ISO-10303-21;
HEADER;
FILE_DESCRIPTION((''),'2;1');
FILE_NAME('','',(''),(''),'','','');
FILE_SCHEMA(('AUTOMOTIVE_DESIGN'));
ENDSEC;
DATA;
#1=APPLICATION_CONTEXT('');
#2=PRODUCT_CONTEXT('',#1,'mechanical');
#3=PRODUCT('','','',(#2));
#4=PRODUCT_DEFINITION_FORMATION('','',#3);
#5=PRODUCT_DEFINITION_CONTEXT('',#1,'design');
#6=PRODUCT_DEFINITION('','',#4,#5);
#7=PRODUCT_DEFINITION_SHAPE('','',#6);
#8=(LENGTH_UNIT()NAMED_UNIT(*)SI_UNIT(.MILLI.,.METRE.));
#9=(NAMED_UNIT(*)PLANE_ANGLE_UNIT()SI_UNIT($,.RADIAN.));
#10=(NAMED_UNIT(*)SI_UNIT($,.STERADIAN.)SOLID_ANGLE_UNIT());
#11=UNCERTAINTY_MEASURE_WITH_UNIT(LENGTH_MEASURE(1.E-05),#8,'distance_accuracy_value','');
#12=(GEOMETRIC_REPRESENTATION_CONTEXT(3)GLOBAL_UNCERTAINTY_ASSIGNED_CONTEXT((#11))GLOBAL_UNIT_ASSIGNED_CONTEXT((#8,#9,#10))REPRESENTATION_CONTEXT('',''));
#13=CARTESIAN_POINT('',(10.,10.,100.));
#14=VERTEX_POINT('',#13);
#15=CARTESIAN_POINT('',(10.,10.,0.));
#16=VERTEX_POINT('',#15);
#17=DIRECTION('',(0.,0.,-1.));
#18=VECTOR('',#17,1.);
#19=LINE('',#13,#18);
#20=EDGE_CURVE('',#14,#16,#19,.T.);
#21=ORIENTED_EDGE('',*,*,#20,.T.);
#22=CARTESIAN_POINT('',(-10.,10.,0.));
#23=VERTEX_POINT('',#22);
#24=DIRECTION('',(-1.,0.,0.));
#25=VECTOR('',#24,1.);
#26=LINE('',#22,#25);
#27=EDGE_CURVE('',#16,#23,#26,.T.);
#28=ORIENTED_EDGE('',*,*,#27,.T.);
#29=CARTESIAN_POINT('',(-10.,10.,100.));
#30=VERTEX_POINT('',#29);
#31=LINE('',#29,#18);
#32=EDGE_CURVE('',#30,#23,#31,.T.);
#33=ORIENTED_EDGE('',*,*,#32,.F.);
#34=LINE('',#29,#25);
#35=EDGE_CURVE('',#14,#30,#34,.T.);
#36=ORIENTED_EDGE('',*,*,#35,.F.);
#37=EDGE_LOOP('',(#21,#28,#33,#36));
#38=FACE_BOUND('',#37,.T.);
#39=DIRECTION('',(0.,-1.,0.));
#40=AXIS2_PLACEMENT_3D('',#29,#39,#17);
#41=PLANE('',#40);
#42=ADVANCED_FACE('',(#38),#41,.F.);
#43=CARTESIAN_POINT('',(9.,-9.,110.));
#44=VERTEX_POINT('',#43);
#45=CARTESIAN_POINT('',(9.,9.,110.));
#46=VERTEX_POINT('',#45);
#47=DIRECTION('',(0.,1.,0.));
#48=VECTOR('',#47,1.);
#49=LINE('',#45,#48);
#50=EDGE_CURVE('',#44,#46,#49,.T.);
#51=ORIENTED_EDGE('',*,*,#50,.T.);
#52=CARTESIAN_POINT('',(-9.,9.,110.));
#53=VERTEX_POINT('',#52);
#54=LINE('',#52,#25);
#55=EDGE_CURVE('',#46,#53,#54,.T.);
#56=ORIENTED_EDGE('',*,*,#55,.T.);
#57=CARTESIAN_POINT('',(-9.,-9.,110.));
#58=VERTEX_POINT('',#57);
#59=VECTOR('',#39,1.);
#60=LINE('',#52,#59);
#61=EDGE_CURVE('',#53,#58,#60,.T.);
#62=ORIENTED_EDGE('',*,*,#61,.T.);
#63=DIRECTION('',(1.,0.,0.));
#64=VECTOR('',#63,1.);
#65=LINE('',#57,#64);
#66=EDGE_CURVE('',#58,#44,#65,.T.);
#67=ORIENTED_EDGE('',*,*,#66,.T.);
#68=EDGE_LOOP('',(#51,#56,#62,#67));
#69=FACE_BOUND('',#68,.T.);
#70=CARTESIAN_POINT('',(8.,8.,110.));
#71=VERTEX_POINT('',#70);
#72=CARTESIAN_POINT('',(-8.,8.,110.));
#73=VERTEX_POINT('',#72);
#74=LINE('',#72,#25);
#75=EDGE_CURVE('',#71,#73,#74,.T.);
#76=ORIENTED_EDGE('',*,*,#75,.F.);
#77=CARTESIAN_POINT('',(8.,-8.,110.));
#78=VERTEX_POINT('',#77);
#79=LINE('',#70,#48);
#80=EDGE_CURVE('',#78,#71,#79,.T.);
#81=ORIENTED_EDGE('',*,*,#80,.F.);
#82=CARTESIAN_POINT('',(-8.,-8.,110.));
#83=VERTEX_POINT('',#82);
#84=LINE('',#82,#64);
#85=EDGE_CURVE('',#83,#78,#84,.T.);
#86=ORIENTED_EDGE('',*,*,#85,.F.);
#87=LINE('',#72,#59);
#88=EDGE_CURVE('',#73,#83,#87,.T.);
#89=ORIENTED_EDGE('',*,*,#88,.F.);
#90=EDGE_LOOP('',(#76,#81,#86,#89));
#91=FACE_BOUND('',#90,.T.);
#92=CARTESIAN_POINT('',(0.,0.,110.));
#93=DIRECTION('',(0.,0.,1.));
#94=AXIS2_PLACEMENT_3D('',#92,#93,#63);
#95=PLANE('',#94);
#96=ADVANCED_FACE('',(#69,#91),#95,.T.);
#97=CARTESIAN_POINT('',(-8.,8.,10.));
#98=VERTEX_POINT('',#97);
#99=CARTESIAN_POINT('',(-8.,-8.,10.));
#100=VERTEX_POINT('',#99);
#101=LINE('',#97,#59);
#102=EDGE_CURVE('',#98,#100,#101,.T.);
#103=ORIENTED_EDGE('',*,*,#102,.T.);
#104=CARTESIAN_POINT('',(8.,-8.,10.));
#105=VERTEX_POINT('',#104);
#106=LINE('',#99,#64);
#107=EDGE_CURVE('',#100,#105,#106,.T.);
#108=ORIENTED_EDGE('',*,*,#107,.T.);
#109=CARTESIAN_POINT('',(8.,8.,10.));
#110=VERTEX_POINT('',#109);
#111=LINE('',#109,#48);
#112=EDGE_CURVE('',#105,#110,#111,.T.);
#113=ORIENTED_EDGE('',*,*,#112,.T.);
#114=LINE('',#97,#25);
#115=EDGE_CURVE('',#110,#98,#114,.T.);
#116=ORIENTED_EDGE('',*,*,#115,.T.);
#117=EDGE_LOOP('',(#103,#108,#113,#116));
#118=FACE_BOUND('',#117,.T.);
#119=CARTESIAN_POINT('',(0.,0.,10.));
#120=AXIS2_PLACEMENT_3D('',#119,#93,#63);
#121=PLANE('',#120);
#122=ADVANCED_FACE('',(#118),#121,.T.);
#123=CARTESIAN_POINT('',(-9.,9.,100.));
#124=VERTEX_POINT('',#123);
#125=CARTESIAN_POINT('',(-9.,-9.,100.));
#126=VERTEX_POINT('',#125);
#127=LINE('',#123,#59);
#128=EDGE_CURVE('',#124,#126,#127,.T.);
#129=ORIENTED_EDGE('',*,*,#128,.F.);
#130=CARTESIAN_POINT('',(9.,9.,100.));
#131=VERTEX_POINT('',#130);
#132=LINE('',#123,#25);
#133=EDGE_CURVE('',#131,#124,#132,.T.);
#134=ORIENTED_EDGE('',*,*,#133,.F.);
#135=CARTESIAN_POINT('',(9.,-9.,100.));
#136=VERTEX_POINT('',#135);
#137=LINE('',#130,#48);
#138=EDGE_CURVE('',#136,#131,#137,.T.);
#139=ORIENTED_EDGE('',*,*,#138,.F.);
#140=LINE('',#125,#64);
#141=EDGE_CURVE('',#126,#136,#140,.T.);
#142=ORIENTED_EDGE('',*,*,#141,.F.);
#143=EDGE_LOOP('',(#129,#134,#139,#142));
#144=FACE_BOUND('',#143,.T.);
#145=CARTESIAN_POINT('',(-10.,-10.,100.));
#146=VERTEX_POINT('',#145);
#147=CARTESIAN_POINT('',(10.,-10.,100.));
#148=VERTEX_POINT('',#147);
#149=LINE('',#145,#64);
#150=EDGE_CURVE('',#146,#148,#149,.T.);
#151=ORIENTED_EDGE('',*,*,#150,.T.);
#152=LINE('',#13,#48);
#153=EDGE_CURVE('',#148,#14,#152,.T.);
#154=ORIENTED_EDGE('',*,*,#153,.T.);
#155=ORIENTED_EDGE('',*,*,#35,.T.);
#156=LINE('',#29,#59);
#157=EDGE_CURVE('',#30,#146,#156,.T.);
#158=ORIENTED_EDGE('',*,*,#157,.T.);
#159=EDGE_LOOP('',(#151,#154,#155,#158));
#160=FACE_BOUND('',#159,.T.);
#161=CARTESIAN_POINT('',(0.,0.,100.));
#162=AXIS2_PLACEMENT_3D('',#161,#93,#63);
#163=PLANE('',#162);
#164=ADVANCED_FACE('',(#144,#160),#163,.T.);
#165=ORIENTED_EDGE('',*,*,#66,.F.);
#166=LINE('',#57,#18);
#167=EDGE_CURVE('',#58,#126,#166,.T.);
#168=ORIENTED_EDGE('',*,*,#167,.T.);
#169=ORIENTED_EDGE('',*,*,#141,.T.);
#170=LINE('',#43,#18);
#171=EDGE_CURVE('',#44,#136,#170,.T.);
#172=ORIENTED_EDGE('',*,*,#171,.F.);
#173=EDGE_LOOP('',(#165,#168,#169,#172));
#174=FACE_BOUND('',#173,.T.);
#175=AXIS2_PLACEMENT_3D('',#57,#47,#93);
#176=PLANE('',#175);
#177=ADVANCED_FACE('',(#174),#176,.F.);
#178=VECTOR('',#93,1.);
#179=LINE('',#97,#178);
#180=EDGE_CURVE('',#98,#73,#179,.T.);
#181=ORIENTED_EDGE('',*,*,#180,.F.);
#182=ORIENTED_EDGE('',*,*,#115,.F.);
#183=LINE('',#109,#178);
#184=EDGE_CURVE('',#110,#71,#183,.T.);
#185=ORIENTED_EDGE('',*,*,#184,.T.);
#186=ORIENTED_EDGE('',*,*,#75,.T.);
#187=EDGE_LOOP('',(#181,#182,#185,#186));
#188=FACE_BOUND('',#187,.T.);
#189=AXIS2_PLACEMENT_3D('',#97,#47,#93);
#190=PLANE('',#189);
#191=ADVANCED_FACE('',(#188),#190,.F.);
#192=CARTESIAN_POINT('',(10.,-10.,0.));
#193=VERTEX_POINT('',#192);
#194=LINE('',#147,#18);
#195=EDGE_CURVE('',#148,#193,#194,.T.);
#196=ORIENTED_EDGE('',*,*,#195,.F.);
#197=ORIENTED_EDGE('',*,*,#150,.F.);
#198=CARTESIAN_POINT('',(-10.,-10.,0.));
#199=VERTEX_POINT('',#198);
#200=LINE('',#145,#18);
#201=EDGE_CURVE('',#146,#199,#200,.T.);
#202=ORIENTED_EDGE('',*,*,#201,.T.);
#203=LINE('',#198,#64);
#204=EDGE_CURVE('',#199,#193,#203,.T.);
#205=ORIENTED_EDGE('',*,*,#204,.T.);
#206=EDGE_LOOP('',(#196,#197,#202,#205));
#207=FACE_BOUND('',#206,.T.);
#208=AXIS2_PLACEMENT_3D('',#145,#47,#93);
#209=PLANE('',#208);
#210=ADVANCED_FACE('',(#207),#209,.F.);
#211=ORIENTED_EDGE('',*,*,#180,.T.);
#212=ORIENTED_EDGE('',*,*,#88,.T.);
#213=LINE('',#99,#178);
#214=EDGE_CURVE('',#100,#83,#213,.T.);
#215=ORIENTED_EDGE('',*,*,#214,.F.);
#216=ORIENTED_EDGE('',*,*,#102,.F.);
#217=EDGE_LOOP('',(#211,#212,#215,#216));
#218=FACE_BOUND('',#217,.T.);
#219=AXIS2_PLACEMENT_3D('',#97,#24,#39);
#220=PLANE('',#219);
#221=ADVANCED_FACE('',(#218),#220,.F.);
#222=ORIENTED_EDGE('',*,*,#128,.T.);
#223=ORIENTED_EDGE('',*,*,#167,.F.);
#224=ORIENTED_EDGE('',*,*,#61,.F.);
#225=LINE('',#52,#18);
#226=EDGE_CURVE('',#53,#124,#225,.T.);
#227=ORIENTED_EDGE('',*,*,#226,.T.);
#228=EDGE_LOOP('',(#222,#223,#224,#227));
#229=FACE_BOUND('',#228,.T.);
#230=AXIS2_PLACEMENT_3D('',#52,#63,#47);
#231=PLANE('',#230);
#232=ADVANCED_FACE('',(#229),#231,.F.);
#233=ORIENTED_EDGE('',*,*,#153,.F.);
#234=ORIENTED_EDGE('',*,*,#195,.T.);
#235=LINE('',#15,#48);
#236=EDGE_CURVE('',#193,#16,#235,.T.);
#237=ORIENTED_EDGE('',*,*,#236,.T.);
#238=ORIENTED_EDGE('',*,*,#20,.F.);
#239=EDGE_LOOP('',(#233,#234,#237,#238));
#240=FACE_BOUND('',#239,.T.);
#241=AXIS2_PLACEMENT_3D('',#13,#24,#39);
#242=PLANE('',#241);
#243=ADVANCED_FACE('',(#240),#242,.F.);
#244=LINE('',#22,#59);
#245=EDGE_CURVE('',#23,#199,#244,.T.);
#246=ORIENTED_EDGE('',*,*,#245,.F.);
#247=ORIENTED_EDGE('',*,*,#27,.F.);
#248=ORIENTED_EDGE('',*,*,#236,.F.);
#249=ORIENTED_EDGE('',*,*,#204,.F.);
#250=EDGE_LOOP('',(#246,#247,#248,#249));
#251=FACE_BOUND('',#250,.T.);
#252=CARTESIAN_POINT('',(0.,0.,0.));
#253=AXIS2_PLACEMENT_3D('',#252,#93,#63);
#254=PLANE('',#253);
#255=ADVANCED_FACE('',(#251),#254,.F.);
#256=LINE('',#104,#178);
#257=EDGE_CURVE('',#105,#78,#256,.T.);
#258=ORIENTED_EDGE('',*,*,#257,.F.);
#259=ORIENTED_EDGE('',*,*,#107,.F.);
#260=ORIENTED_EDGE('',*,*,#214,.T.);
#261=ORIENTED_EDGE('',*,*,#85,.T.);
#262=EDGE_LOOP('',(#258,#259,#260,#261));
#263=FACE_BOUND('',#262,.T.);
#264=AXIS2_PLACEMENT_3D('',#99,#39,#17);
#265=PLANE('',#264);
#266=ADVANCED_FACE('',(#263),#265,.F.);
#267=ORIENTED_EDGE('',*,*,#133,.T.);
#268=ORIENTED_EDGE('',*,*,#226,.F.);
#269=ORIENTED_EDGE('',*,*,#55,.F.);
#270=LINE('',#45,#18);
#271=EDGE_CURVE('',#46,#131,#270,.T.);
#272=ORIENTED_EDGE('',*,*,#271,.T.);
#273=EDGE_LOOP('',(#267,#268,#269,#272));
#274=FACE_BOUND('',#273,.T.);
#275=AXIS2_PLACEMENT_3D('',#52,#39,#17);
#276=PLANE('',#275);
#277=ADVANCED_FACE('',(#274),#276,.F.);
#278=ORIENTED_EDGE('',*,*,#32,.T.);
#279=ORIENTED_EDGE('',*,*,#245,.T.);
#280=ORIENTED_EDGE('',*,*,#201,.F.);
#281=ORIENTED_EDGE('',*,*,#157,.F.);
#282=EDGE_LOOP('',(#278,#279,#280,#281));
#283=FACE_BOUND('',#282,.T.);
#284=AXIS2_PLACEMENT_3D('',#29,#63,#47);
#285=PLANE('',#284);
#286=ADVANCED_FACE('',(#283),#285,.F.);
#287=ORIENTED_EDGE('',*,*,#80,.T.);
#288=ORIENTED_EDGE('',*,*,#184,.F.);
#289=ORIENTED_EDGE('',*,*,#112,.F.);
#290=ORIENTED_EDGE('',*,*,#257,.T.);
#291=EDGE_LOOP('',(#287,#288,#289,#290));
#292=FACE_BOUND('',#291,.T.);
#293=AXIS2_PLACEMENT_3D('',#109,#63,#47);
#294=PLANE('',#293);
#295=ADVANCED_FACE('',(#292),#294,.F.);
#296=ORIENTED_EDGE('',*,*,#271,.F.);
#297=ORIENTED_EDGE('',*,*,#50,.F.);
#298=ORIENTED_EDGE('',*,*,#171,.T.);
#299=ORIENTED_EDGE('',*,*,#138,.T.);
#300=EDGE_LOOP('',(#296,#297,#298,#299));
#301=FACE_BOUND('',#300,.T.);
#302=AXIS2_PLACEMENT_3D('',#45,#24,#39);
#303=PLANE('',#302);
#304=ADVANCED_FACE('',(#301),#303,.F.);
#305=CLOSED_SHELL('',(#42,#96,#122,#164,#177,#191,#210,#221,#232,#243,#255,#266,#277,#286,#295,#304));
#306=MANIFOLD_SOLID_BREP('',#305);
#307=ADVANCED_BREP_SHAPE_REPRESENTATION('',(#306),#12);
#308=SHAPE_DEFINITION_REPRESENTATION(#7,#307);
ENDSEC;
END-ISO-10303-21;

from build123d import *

# Parameters (mm, degrees)
SKETCH_1_W          = 20
SKETCH_1_H          = 20
EXTRUDE_1_DEPTH     = 100
SKETCH_3_W          = 18
SKETCH_3_H          = 18
EXTRUDE_2_DEPTH     = 10
SKETCH_4_W          = 16
SKETCH_4_H          = 16
CUT_EXTRUDE_1_DEPTH = 100


with BuildPart() as part:
    # 草圖1 → 填料-伸長1 (new body)
    with BuildSketch(Plane.XY):
        Rectangle(SKETCH_1_W, SKETCH_1_H)
    extrude(amount=EXTRUDE_1_DEPTH)

    # 草圖3 → 填料-伸長2 (add)
    with BuildSketch(Plane.XY.offset(100)):
        Rectangle(SKETCH_3_W, SKETCH_3_H)
    extrude(amount=EXTRUDE_2_DEPTH)

    # 草圖4 → 除料-伸長1 (cut)
    with BuildSketch(Plane.XY.offset(110)):
        Rectangle(SKETCH_4_W, SKETCH_4_H)
    extrude(amount=-CUT_EXTRUDE_1_DEPTH, mode=Mode.SUBTRACT)


solid = part.part
